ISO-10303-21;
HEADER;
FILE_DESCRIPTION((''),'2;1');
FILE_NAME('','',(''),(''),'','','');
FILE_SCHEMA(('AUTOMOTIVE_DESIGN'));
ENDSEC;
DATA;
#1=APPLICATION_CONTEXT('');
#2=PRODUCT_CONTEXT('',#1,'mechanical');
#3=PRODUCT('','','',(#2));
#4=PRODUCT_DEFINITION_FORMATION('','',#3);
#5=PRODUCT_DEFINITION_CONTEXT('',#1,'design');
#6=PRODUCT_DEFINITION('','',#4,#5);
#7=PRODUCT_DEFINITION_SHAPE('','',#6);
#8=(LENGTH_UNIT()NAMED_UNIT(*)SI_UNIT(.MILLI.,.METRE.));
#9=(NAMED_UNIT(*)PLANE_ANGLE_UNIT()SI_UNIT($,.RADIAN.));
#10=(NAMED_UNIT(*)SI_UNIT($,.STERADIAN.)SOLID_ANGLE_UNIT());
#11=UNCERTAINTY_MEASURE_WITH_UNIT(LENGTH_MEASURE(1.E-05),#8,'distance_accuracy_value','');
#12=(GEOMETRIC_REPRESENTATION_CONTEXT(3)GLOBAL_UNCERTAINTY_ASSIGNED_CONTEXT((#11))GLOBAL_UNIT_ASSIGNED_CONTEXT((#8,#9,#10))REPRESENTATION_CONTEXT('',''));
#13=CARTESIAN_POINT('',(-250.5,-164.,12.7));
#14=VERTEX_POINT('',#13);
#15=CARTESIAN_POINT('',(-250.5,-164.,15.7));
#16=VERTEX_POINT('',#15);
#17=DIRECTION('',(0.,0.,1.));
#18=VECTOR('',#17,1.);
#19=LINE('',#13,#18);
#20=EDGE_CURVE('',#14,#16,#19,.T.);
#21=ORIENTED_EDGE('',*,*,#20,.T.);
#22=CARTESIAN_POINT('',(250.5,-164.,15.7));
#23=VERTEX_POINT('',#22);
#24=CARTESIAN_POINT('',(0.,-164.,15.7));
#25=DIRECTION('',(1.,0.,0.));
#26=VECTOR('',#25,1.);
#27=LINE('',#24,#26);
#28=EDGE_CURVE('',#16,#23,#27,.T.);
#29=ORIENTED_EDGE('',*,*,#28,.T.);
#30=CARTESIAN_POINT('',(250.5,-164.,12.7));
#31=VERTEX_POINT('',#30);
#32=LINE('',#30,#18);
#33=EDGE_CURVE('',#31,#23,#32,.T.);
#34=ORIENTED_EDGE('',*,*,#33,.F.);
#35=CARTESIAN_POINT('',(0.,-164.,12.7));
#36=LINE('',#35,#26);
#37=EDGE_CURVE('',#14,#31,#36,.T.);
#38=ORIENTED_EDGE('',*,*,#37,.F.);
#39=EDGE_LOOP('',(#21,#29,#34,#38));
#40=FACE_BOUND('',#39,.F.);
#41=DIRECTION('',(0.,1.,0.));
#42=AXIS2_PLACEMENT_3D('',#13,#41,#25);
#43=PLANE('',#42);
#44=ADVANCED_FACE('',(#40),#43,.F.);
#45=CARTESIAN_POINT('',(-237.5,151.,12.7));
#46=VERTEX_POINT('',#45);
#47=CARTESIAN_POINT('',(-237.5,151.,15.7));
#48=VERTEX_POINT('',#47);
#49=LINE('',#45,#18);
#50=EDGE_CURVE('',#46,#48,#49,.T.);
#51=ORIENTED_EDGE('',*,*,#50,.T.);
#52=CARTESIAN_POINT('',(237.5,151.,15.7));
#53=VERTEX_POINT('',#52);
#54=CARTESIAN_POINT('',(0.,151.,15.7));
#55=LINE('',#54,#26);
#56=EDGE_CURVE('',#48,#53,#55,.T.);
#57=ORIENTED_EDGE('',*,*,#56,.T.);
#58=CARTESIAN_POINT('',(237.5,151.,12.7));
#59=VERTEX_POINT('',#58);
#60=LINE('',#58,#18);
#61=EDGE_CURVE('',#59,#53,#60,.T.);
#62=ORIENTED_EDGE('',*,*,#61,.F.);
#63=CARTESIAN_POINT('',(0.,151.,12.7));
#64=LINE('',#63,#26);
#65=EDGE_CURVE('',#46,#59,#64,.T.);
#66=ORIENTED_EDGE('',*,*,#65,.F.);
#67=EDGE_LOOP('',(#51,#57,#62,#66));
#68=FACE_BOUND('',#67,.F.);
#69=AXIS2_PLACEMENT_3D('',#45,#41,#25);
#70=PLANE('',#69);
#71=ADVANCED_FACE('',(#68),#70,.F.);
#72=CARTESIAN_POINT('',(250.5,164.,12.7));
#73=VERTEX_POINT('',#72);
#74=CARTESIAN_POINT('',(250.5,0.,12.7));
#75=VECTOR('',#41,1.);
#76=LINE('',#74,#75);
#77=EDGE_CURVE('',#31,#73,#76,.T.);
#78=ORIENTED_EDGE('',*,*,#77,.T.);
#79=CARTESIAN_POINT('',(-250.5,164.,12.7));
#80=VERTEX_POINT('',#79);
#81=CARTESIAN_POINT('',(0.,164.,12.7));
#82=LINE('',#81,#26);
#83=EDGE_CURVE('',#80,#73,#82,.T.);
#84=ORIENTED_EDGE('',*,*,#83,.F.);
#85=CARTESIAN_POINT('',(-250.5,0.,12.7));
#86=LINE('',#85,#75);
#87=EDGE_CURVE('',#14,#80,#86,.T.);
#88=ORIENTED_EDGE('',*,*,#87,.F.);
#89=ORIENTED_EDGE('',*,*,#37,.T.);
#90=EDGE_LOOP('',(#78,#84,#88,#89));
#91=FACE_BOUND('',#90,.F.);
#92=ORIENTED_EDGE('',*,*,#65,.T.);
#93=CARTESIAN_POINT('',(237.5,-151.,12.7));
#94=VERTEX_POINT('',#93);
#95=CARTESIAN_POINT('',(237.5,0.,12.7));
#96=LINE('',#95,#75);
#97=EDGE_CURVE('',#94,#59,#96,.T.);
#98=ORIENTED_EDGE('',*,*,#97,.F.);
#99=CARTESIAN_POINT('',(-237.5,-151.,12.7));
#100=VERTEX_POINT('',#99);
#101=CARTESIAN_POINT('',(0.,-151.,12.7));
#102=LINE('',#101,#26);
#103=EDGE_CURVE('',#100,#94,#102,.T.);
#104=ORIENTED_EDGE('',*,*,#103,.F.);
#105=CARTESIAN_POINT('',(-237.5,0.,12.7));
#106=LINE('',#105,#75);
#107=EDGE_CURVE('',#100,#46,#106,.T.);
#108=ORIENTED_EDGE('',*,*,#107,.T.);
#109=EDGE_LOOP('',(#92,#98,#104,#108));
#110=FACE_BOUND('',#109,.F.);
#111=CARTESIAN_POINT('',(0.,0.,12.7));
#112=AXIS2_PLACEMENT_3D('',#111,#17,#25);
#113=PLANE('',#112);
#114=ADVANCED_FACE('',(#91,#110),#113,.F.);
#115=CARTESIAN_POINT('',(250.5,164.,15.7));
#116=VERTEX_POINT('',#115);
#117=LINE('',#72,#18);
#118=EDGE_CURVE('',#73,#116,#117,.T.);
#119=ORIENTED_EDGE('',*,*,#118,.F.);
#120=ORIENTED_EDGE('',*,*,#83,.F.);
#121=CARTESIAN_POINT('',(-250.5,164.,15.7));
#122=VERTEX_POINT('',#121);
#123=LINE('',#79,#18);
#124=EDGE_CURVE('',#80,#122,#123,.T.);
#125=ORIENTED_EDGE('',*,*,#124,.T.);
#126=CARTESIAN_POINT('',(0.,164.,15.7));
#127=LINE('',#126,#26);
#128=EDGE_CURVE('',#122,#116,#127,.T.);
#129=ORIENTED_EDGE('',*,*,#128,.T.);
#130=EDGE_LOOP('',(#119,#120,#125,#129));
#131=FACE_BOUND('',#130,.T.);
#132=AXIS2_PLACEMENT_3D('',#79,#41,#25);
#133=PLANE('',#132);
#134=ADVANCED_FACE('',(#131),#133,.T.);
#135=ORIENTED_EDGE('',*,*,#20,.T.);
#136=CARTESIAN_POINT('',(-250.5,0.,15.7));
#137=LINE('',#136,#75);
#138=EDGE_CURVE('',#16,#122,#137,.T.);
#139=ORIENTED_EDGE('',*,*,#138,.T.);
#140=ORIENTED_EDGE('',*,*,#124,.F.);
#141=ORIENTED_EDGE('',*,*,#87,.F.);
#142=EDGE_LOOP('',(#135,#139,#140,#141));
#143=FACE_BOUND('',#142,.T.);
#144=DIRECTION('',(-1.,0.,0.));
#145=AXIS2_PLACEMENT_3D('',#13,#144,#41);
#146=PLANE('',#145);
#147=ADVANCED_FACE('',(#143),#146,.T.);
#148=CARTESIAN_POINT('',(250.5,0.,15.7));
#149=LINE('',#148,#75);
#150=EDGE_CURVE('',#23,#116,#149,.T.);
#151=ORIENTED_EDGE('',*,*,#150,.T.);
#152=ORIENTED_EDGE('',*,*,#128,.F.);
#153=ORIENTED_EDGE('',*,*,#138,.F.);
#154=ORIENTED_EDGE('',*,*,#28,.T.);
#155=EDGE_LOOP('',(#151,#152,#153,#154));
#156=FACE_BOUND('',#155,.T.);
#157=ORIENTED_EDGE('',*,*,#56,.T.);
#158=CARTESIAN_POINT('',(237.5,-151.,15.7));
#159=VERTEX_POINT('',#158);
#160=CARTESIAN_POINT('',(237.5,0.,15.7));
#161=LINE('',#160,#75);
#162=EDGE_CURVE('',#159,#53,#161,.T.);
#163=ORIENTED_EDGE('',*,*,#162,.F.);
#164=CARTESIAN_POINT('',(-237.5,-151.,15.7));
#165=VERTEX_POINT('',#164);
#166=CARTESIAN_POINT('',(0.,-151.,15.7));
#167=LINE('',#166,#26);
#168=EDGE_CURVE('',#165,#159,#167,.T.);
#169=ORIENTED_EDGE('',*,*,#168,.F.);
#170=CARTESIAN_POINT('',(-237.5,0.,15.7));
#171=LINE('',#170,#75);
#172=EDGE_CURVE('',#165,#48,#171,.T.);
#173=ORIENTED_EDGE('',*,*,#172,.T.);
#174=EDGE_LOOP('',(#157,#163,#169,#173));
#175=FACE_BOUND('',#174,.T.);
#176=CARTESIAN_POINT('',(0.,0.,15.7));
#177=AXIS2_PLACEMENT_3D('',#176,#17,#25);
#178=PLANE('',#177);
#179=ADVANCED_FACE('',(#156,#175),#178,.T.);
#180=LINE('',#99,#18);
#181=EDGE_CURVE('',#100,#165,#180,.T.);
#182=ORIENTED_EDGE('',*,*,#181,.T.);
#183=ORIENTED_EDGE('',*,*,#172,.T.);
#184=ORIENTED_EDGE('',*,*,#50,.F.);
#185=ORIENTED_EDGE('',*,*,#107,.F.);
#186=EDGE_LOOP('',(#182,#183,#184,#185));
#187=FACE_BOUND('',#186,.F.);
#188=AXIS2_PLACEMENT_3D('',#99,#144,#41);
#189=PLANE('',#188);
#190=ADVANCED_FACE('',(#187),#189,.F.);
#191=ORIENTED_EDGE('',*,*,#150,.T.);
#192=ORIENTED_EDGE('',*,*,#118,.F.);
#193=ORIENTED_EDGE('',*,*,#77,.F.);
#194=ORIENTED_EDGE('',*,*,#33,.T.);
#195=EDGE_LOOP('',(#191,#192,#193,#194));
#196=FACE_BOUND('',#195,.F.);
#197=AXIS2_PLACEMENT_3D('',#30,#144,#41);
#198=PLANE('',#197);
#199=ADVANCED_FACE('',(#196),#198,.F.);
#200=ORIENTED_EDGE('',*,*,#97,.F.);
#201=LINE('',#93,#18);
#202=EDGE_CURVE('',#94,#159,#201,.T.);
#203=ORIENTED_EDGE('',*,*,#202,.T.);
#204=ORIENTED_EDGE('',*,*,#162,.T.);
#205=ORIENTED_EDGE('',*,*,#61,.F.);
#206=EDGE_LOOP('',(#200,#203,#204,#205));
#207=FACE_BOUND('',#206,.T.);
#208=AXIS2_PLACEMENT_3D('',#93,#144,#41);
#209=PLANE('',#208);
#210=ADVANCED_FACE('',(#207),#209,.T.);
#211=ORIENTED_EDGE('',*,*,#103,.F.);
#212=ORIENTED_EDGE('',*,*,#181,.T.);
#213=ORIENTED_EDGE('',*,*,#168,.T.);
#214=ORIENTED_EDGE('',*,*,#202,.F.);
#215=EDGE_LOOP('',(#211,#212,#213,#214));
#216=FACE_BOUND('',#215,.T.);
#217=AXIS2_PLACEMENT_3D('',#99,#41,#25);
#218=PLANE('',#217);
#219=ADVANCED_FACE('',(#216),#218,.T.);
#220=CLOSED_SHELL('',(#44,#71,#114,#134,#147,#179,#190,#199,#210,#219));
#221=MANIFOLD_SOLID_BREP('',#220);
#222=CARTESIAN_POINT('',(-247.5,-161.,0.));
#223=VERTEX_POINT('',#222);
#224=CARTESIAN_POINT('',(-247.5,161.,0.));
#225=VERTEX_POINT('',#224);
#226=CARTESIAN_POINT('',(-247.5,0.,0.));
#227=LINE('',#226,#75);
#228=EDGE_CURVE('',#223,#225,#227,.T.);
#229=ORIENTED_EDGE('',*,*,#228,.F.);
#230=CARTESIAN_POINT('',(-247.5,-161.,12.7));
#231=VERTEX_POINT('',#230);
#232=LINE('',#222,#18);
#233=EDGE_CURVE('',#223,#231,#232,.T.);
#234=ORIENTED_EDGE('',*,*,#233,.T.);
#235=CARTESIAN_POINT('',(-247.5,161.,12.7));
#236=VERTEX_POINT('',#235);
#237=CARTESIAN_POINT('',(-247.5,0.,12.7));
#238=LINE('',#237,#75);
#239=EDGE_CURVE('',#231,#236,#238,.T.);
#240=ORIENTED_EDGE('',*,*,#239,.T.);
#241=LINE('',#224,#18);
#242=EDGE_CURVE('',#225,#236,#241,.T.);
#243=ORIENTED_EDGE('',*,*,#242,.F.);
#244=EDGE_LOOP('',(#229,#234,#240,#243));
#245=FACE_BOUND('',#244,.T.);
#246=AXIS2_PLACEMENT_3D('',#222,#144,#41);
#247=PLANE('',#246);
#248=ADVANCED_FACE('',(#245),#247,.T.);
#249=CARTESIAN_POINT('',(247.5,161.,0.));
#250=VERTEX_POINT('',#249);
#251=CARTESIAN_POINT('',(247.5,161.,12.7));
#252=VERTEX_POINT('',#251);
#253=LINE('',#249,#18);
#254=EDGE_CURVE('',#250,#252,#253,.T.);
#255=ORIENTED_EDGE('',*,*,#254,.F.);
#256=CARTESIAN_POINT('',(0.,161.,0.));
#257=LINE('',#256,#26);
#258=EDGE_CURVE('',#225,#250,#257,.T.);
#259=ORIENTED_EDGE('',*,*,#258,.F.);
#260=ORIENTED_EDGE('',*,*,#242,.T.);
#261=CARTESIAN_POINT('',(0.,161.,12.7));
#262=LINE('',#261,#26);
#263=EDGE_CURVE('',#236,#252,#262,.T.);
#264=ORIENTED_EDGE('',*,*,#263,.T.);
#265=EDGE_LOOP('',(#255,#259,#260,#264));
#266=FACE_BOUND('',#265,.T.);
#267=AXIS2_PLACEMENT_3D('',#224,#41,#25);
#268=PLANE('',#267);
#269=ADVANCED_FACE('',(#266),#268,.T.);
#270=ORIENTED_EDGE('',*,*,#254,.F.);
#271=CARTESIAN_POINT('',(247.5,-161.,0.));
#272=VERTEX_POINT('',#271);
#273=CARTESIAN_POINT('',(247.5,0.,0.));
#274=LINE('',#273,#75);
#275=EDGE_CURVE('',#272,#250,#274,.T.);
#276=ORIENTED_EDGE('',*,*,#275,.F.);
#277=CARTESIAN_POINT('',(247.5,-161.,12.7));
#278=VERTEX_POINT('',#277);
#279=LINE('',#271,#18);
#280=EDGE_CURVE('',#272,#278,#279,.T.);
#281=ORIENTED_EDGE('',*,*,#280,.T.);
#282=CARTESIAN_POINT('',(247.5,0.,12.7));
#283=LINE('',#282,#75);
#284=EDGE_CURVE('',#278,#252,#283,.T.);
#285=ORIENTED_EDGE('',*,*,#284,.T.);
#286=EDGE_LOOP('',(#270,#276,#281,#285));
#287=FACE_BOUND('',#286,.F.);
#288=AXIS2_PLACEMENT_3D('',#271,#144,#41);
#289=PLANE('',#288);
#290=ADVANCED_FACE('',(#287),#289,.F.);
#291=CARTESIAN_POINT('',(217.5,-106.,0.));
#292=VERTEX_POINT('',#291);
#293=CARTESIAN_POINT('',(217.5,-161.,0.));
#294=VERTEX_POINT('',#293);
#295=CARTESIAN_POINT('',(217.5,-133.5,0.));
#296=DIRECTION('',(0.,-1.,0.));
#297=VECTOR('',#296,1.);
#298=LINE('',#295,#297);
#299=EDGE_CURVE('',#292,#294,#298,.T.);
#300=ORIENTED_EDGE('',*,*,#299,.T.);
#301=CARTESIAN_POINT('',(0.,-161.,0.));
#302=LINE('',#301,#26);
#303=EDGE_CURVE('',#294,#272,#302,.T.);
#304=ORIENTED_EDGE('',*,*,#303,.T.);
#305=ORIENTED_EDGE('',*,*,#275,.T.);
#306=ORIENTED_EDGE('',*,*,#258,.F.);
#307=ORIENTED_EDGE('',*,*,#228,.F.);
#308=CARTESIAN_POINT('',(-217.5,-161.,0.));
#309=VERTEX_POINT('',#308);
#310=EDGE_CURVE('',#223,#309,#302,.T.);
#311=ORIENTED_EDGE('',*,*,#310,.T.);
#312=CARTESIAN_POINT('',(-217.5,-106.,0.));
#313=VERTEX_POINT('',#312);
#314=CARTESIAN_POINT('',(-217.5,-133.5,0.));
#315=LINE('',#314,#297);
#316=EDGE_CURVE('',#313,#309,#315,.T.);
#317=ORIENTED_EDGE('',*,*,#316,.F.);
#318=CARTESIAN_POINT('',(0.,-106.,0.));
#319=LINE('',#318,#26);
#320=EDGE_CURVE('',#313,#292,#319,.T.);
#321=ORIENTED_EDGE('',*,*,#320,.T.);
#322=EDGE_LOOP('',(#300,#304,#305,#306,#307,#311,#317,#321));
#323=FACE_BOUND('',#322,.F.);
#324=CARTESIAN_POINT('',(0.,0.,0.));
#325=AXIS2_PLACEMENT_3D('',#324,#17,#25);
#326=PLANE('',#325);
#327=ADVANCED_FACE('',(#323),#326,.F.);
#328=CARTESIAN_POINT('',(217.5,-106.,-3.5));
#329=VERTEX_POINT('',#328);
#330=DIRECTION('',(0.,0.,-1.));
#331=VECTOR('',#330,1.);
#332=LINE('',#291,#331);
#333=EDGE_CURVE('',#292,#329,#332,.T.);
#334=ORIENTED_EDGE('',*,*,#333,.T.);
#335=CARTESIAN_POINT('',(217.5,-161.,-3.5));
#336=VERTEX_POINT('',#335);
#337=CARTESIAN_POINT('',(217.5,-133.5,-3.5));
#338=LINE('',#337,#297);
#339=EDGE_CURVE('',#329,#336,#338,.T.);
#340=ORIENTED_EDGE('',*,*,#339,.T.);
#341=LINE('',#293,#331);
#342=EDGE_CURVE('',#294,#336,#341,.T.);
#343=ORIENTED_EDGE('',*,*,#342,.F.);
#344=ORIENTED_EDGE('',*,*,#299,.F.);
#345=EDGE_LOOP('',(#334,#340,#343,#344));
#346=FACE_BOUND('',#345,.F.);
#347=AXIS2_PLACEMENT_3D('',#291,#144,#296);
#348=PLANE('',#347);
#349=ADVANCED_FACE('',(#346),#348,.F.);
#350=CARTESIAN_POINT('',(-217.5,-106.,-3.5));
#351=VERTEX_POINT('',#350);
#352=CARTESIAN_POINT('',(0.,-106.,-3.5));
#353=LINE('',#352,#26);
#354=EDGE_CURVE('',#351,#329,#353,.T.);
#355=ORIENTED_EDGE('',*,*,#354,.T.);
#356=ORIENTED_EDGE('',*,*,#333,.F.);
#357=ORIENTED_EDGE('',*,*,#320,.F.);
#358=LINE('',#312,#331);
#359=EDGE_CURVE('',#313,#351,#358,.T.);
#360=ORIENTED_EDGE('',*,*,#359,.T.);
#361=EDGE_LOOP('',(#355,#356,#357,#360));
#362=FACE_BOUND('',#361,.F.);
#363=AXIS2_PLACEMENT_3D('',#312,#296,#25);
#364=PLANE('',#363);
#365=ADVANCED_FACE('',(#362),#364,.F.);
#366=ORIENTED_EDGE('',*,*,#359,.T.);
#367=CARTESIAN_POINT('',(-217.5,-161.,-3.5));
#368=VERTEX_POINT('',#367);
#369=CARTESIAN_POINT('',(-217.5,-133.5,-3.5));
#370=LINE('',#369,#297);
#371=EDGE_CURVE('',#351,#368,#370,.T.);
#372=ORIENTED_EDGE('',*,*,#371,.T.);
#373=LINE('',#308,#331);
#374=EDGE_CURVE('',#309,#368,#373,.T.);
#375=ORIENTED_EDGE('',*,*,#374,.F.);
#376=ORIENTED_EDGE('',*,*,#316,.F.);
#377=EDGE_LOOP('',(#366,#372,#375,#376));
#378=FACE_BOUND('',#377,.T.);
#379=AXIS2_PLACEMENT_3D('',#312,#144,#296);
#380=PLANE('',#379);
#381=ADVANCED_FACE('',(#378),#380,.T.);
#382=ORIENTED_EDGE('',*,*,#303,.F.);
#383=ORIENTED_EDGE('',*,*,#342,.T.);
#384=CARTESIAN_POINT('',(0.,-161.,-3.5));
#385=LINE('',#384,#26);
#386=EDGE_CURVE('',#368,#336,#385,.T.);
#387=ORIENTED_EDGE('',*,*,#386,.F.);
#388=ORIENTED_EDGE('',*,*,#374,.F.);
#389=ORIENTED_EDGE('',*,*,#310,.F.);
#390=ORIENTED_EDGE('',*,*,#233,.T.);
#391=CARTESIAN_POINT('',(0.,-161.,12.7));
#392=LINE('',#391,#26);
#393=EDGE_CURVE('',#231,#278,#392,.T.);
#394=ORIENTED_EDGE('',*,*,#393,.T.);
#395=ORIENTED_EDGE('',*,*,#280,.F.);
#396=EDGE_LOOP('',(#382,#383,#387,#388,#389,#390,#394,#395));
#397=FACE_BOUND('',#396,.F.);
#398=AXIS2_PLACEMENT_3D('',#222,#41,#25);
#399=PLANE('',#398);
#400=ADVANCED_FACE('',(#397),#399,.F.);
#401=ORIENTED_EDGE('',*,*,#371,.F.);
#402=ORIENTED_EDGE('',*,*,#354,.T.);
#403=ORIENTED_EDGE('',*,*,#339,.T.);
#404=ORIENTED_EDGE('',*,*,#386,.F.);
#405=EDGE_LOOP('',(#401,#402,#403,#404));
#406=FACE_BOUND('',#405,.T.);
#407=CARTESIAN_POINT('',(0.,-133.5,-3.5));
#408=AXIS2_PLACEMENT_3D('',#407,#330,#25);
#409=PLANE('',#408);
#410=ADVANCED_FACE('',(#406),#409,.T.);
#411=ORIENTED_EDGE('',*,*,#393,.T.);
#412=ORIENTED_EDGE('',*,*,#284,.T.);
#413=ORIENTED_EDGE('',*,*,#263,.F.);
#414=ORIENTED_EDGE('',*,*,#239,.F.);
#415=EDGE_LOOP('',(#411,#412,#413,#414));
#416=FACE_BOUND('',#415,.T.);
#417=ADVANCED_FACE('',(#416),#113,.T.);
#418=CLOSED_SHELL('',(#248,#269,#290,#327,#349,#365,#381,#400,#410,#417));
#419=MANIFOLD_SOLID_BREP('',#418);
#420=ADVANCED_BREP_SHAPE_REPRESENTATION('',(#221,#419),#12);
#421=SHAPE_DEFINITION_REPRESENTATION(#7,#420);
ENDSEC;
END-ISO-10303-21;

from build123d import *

# Parameters (mm, degrees)
F0_W     = 495
F0_H     = 322
F1_DEPTH = 12.7
F2_W     = 435
F2_H     = 55
F3_DEPTH = 3.5
F4_W     = 501
F4_H     = 328
F4_W_2   = 475
F4_H_2   = 302
F5_DEPTH = 3


with BuildPart() as f1:
    # F0 (on Top) → F1 (new body)
    with BuildSketch(Plane.XY):
        Rectangle(F0_W, F0_H)
    extrude(amount=F1_DEPTH)

    # F2 (on face) → F3 (join)
    with BuildSketch(Plane(origin=(0, 0, 0), x_dir=(1, 0, 0), z_dir=(0, 0, -1))):
        with Locations((0, 133.5)):
            Rectangle(F2_W, F2_H)
    extrude(amount=F3_DEPTH)


with BuildPart() as f5:
    # F4 (on face) → F5 (new body)
    with BuildSketch(Plane.XY.offset(12.7)):
        Rectangle(F4_W, F4_H)
        Rectangle(F4_W_2, F4_H_2, mode=Mode.SUBTRACT)
    extrude(amount=F5_DEPTH)


solid = Compound([f1.part, f5.part])
